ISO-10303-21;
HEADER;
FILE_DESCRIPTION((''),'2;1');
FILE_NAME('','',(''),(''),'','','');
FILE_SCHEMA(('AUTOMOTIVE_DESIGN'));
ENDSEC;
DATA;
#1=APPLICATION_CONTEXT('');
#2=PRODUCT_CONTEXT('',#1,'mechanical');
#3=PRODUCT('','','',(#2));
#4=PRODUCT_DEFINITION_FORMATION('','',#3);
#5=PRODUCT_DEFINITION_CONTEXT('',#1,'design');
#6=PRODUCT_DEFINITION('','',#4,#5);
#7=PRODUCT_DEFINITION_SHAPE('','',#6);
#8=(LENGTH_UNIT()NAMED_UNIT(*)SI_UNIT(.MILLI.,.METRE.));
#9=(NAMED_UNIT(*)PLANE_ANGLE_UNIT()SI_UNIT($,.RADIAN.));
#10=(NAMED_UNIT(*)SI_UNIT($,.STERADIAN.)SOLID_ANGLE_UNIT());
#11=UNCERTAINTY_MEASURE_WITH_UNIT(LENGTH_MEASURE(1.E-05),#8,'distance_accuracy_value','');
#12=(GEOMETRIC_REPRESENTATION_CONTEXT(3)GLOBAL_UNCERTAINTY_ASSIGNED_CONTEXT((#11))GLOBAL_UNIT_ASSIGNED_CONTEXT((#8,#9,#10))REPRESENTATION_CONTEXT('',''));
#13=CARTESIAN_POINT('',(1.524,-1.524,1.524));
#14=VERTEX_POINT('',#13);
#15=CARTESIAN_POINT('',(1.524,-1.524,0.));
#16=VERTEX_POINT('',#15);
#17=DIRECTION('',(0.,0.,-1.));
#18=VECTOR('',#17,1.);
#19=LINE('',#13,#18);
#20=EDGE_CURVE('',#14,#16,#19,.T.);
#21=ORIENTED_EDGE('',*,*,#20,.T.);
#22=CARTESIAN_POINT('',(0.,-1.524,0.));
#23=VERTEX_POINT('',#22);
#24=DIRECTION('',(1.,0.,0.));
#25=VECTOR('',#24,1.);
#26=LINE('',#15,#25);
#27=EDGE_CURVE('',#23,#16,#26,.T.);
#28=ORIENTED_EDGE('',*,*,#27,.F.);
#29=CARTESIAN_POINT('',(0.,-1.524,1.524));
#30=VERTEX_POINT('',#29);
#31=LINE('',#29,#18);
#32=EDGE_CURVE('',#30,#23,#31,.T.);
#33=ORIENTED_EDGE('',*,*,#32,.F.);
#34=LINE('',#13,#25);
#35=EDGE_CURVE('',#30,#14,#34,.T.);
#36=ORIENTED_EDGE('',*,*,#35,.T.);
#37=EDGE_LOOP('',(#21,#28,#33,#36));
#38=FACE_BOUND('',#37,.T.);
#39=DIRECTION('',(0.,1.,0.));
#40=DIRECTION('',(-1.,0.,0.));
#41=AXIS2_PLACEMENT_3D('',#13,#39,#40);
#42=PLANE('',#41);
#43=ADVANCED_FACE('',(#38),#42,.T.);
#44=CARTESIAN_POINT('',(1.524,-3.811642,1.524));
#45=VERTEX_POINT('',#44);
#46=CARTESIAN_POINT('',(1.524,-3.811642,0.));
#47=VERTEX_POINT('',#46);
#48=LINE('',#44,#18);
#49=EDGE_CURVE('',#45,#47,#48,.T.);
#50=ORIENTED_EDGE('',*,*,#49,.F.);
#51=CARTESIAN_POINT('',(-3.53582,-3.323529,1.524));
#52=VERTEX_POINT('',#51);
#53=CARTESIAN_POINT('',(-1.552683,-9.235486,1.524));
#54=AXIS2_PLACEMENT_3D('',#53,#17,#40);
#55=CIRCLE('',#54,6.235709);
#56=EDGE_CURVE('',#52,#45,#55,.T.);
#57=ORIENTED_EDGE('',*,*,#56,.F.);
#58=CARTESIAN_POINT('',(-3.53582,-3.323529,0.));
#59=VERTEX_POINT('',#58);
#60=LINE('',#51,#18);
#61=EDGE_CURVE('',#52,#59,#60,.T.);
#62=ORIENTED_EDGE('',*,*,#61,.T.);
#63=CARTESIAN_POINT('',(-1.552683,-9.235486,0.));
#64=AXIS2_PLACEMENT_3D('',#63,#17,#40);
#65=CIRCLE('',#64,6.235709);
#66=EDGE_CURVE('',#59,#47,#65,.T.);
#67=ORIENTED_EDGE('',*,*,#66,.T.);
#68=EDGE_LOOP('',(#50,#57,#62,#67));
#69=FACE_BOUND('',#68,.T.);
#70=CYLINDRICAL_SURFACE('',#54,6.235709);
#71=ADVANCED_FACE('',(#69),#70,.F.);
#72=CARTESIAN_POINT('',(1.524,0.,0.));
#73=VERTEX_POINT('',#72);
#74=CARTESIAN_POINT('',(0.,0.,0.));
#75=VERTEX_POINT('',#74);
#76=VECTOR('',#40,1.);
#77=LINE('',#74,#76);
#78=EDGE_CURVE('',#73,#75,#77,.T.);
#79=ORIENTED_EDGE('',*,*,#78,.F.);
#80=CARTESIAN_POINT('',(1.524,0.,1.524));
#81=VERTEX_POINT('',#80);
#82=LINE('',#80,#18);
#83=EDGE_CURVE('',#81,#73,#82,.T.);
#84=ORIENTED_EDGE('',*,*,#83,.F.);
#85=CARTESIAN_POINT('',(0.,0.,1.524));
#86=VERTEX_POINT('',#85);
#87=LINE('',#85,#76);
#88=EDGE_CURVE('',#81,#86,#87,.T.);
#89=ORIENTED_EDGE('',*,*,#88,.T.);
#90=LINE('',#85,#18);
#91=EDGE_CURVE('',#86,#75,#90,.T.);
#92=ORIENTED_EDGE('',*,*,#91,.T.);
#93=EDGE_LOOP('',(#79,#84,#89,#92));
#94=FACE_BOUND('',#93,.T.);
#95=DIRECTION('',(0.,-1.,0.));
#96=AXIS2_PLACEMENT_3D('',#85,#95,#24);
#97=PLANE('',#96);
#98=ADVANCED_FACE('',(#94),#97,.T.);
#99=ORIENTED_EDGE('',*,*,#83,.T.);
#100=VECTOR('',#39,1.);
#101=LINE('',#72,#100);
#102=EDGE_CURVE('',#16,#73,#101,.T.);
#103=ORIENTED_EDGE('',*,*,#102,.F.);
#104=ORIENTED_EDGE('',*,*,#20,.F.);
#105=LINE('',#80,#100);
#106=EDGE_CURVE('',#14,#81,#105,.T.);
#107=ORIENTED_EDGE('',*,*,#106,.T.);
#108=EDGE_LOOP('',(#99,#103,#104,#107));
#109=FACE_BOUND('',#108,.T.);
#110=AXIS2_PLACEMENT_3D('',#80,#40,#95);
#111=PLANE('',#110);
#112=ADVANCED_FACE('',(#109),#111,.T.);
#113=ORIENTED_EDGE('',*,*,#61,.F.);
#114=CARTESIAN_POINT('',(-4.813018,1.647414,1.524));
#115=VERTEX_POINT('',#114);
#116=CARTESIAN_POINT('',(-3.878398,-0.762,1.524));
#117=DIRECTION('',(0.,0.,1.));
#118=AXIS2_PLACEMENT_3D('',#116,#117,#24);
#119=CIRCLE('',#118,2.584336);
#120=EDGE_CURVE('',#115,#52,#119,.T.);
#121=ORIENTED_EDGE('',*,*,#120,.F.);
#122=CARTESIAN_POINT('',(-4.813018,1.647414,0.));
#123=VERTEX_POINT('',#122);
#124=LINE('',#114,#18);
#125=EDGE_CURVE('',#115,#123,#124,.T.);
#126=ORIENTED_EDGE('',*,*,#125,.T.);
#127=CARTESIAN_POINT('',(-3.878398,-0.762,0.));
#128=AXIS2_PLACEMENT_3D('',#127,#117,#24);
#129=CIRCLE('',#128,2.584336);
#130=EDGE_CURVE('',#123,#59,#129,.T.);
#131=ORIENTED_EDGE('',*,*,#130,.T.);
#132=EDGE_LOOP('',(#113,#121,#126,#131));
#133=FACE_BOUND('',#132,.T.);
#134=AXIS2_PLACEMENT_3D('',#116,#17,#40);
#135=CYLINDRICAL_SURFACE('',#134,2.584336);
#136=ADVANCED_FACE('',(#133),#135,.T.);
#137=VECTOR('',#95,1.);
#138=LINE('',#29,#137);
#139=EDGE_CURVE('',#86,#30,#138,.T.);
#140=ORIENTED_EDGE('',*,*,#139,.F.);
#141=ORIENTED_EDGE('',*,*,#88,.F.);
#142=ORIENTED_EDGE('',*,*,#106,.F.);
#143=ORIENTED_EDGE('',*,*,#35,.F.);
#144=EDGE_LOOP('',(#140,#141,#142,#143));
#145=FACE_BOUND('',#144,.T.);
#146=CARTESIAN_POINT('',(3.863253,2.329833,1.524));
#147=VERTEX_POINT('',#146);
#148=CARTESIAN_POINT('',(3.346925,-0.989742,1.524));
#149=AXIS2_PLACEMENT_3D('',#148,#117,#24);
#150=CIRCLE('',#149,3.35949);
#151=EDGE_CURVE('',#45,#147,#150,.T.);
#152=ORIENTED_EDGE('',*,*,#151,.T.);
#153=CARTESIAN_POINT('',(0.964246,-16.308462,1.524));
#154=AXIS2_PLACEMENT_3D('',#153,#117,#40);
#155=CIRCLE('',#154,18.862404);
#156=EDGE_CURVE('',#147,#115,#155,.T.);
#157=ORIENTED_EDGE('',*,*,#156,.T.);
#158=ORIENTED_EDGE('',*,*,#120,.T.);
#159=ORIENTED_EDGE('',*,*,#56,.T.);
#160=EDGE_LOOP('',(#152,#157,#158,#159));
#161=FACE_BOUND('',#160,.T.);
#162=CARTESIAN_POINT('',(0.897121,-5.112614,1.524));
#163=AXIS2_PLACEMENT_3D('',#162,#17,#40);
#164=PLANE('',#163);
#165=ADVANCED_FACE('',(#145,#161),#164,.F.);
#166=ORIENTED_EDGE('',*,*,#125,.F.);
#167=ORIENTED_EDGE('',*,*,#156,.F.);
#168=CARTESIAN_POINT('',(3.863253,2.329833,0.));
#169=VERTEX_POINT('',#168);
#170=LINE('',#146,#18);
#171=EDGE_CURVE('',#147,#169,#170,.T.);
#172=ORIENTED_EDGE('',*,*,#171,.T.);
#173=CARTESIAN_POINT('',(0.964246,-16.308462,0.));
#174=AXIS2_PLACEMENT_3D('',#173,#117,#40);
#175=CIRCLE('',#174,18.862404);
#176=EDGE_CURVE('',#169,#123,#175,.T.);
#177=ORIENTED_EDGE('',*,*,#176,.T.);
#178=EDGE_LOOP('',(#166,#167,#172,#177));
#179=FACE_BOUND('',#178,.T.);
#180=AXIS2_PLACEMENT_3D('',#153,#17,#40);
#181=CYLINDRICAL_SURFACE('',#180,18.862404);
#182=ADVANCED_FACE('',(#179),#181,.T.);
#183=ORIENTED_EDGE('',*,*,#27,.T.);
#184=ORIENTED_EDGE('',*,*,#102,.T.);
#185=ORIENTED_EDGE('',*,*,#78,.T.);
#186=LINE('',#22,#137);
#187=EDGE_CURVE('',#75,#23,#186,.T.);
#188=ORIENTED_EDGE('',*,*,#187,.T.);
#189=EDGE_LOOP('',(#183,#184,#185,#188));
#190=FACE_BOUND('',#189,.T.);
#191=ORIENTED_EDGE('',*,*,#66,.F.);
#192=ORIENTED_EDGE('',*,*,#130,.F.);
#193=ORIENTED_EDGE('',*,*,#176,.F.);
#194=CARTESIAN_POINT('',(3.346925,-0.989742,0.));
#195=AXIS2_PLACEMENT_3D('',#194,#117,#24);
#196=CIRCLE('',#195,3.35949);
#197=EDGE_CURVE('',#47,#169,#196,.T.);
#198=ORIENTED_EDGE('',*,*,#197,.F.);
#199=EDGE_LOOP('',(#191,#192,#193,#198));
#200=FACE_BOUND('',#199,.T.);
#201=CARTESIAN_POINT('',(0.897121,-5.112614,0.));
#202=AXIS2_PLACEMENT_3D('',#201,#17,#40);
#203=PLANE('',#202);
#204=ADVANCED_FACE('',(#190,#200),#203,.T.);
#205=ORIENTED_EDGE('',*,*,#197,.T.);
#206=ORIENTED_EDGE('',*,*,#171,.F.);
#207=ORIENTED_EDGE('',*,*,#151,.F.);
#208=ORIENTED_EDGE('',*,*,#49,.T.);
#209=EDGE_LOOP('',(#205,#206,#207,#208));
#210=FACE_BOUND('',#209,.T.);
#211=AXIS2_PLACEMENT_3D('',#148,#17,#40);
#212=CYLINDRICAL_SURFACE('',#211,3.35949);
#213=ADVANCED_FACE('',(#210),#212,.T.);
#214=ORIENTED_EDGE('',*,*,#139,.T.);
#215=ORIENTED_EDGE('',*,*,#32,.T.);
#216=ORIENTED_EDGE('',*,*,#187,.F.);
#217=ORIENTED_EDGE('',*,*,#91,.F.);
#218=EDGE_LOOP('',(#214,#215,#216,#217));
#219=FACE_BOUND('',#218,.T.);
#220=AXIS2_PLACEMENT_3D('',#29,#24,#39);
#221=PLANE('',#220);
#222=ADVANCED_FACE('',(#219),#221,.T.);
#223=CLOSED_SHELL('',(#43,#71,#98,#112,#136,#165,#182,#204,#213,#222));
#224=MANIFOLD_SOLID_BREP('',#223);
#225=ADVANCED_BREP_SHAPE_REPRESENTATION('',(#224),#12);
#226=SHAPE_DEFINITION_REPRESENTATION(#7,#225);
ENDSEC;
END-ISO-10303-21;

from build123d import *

# Parameters (mm, degrees)
SKETCH1_W           = 1.524
SKETCH1_H           = 1.524
BOSS_EXTRUDE1_DEPTH = 1.524


with BuildPart() as part:
    # Sketch1 → Boss-Extrude1 (new body)
    with BuildSketch(Plane.XY):
        with BuildLine():
            ThreePointArc((-4.813018271, 1.647414383), (-6.381436297, -1.405112195), (-3.535820464, -3.323529288))
            ThreePointArc((-3.535820464, -3.323529288), (-0.953914357, -3.028591374), (1.524, -3.811641797))
            ThreePointArc((1.524, -3.811641797), (6.486387953, -2.185545764), (3.86325293, 2.329832974))
            ThreePointArc((3.86325293, 2.329832974), (-0.514779052, 2.495866349), (-4.813018271, 1.647414383))
        make_face()
        with Locations((0.762, -0.762)):
            Rectangle(SKETCH1_W, SKETCH1_H, mode=Mode.SUBTRACT)
    extrude(amount=BOSS_EXTRUDE1_DEPTH)


solid = part.part
